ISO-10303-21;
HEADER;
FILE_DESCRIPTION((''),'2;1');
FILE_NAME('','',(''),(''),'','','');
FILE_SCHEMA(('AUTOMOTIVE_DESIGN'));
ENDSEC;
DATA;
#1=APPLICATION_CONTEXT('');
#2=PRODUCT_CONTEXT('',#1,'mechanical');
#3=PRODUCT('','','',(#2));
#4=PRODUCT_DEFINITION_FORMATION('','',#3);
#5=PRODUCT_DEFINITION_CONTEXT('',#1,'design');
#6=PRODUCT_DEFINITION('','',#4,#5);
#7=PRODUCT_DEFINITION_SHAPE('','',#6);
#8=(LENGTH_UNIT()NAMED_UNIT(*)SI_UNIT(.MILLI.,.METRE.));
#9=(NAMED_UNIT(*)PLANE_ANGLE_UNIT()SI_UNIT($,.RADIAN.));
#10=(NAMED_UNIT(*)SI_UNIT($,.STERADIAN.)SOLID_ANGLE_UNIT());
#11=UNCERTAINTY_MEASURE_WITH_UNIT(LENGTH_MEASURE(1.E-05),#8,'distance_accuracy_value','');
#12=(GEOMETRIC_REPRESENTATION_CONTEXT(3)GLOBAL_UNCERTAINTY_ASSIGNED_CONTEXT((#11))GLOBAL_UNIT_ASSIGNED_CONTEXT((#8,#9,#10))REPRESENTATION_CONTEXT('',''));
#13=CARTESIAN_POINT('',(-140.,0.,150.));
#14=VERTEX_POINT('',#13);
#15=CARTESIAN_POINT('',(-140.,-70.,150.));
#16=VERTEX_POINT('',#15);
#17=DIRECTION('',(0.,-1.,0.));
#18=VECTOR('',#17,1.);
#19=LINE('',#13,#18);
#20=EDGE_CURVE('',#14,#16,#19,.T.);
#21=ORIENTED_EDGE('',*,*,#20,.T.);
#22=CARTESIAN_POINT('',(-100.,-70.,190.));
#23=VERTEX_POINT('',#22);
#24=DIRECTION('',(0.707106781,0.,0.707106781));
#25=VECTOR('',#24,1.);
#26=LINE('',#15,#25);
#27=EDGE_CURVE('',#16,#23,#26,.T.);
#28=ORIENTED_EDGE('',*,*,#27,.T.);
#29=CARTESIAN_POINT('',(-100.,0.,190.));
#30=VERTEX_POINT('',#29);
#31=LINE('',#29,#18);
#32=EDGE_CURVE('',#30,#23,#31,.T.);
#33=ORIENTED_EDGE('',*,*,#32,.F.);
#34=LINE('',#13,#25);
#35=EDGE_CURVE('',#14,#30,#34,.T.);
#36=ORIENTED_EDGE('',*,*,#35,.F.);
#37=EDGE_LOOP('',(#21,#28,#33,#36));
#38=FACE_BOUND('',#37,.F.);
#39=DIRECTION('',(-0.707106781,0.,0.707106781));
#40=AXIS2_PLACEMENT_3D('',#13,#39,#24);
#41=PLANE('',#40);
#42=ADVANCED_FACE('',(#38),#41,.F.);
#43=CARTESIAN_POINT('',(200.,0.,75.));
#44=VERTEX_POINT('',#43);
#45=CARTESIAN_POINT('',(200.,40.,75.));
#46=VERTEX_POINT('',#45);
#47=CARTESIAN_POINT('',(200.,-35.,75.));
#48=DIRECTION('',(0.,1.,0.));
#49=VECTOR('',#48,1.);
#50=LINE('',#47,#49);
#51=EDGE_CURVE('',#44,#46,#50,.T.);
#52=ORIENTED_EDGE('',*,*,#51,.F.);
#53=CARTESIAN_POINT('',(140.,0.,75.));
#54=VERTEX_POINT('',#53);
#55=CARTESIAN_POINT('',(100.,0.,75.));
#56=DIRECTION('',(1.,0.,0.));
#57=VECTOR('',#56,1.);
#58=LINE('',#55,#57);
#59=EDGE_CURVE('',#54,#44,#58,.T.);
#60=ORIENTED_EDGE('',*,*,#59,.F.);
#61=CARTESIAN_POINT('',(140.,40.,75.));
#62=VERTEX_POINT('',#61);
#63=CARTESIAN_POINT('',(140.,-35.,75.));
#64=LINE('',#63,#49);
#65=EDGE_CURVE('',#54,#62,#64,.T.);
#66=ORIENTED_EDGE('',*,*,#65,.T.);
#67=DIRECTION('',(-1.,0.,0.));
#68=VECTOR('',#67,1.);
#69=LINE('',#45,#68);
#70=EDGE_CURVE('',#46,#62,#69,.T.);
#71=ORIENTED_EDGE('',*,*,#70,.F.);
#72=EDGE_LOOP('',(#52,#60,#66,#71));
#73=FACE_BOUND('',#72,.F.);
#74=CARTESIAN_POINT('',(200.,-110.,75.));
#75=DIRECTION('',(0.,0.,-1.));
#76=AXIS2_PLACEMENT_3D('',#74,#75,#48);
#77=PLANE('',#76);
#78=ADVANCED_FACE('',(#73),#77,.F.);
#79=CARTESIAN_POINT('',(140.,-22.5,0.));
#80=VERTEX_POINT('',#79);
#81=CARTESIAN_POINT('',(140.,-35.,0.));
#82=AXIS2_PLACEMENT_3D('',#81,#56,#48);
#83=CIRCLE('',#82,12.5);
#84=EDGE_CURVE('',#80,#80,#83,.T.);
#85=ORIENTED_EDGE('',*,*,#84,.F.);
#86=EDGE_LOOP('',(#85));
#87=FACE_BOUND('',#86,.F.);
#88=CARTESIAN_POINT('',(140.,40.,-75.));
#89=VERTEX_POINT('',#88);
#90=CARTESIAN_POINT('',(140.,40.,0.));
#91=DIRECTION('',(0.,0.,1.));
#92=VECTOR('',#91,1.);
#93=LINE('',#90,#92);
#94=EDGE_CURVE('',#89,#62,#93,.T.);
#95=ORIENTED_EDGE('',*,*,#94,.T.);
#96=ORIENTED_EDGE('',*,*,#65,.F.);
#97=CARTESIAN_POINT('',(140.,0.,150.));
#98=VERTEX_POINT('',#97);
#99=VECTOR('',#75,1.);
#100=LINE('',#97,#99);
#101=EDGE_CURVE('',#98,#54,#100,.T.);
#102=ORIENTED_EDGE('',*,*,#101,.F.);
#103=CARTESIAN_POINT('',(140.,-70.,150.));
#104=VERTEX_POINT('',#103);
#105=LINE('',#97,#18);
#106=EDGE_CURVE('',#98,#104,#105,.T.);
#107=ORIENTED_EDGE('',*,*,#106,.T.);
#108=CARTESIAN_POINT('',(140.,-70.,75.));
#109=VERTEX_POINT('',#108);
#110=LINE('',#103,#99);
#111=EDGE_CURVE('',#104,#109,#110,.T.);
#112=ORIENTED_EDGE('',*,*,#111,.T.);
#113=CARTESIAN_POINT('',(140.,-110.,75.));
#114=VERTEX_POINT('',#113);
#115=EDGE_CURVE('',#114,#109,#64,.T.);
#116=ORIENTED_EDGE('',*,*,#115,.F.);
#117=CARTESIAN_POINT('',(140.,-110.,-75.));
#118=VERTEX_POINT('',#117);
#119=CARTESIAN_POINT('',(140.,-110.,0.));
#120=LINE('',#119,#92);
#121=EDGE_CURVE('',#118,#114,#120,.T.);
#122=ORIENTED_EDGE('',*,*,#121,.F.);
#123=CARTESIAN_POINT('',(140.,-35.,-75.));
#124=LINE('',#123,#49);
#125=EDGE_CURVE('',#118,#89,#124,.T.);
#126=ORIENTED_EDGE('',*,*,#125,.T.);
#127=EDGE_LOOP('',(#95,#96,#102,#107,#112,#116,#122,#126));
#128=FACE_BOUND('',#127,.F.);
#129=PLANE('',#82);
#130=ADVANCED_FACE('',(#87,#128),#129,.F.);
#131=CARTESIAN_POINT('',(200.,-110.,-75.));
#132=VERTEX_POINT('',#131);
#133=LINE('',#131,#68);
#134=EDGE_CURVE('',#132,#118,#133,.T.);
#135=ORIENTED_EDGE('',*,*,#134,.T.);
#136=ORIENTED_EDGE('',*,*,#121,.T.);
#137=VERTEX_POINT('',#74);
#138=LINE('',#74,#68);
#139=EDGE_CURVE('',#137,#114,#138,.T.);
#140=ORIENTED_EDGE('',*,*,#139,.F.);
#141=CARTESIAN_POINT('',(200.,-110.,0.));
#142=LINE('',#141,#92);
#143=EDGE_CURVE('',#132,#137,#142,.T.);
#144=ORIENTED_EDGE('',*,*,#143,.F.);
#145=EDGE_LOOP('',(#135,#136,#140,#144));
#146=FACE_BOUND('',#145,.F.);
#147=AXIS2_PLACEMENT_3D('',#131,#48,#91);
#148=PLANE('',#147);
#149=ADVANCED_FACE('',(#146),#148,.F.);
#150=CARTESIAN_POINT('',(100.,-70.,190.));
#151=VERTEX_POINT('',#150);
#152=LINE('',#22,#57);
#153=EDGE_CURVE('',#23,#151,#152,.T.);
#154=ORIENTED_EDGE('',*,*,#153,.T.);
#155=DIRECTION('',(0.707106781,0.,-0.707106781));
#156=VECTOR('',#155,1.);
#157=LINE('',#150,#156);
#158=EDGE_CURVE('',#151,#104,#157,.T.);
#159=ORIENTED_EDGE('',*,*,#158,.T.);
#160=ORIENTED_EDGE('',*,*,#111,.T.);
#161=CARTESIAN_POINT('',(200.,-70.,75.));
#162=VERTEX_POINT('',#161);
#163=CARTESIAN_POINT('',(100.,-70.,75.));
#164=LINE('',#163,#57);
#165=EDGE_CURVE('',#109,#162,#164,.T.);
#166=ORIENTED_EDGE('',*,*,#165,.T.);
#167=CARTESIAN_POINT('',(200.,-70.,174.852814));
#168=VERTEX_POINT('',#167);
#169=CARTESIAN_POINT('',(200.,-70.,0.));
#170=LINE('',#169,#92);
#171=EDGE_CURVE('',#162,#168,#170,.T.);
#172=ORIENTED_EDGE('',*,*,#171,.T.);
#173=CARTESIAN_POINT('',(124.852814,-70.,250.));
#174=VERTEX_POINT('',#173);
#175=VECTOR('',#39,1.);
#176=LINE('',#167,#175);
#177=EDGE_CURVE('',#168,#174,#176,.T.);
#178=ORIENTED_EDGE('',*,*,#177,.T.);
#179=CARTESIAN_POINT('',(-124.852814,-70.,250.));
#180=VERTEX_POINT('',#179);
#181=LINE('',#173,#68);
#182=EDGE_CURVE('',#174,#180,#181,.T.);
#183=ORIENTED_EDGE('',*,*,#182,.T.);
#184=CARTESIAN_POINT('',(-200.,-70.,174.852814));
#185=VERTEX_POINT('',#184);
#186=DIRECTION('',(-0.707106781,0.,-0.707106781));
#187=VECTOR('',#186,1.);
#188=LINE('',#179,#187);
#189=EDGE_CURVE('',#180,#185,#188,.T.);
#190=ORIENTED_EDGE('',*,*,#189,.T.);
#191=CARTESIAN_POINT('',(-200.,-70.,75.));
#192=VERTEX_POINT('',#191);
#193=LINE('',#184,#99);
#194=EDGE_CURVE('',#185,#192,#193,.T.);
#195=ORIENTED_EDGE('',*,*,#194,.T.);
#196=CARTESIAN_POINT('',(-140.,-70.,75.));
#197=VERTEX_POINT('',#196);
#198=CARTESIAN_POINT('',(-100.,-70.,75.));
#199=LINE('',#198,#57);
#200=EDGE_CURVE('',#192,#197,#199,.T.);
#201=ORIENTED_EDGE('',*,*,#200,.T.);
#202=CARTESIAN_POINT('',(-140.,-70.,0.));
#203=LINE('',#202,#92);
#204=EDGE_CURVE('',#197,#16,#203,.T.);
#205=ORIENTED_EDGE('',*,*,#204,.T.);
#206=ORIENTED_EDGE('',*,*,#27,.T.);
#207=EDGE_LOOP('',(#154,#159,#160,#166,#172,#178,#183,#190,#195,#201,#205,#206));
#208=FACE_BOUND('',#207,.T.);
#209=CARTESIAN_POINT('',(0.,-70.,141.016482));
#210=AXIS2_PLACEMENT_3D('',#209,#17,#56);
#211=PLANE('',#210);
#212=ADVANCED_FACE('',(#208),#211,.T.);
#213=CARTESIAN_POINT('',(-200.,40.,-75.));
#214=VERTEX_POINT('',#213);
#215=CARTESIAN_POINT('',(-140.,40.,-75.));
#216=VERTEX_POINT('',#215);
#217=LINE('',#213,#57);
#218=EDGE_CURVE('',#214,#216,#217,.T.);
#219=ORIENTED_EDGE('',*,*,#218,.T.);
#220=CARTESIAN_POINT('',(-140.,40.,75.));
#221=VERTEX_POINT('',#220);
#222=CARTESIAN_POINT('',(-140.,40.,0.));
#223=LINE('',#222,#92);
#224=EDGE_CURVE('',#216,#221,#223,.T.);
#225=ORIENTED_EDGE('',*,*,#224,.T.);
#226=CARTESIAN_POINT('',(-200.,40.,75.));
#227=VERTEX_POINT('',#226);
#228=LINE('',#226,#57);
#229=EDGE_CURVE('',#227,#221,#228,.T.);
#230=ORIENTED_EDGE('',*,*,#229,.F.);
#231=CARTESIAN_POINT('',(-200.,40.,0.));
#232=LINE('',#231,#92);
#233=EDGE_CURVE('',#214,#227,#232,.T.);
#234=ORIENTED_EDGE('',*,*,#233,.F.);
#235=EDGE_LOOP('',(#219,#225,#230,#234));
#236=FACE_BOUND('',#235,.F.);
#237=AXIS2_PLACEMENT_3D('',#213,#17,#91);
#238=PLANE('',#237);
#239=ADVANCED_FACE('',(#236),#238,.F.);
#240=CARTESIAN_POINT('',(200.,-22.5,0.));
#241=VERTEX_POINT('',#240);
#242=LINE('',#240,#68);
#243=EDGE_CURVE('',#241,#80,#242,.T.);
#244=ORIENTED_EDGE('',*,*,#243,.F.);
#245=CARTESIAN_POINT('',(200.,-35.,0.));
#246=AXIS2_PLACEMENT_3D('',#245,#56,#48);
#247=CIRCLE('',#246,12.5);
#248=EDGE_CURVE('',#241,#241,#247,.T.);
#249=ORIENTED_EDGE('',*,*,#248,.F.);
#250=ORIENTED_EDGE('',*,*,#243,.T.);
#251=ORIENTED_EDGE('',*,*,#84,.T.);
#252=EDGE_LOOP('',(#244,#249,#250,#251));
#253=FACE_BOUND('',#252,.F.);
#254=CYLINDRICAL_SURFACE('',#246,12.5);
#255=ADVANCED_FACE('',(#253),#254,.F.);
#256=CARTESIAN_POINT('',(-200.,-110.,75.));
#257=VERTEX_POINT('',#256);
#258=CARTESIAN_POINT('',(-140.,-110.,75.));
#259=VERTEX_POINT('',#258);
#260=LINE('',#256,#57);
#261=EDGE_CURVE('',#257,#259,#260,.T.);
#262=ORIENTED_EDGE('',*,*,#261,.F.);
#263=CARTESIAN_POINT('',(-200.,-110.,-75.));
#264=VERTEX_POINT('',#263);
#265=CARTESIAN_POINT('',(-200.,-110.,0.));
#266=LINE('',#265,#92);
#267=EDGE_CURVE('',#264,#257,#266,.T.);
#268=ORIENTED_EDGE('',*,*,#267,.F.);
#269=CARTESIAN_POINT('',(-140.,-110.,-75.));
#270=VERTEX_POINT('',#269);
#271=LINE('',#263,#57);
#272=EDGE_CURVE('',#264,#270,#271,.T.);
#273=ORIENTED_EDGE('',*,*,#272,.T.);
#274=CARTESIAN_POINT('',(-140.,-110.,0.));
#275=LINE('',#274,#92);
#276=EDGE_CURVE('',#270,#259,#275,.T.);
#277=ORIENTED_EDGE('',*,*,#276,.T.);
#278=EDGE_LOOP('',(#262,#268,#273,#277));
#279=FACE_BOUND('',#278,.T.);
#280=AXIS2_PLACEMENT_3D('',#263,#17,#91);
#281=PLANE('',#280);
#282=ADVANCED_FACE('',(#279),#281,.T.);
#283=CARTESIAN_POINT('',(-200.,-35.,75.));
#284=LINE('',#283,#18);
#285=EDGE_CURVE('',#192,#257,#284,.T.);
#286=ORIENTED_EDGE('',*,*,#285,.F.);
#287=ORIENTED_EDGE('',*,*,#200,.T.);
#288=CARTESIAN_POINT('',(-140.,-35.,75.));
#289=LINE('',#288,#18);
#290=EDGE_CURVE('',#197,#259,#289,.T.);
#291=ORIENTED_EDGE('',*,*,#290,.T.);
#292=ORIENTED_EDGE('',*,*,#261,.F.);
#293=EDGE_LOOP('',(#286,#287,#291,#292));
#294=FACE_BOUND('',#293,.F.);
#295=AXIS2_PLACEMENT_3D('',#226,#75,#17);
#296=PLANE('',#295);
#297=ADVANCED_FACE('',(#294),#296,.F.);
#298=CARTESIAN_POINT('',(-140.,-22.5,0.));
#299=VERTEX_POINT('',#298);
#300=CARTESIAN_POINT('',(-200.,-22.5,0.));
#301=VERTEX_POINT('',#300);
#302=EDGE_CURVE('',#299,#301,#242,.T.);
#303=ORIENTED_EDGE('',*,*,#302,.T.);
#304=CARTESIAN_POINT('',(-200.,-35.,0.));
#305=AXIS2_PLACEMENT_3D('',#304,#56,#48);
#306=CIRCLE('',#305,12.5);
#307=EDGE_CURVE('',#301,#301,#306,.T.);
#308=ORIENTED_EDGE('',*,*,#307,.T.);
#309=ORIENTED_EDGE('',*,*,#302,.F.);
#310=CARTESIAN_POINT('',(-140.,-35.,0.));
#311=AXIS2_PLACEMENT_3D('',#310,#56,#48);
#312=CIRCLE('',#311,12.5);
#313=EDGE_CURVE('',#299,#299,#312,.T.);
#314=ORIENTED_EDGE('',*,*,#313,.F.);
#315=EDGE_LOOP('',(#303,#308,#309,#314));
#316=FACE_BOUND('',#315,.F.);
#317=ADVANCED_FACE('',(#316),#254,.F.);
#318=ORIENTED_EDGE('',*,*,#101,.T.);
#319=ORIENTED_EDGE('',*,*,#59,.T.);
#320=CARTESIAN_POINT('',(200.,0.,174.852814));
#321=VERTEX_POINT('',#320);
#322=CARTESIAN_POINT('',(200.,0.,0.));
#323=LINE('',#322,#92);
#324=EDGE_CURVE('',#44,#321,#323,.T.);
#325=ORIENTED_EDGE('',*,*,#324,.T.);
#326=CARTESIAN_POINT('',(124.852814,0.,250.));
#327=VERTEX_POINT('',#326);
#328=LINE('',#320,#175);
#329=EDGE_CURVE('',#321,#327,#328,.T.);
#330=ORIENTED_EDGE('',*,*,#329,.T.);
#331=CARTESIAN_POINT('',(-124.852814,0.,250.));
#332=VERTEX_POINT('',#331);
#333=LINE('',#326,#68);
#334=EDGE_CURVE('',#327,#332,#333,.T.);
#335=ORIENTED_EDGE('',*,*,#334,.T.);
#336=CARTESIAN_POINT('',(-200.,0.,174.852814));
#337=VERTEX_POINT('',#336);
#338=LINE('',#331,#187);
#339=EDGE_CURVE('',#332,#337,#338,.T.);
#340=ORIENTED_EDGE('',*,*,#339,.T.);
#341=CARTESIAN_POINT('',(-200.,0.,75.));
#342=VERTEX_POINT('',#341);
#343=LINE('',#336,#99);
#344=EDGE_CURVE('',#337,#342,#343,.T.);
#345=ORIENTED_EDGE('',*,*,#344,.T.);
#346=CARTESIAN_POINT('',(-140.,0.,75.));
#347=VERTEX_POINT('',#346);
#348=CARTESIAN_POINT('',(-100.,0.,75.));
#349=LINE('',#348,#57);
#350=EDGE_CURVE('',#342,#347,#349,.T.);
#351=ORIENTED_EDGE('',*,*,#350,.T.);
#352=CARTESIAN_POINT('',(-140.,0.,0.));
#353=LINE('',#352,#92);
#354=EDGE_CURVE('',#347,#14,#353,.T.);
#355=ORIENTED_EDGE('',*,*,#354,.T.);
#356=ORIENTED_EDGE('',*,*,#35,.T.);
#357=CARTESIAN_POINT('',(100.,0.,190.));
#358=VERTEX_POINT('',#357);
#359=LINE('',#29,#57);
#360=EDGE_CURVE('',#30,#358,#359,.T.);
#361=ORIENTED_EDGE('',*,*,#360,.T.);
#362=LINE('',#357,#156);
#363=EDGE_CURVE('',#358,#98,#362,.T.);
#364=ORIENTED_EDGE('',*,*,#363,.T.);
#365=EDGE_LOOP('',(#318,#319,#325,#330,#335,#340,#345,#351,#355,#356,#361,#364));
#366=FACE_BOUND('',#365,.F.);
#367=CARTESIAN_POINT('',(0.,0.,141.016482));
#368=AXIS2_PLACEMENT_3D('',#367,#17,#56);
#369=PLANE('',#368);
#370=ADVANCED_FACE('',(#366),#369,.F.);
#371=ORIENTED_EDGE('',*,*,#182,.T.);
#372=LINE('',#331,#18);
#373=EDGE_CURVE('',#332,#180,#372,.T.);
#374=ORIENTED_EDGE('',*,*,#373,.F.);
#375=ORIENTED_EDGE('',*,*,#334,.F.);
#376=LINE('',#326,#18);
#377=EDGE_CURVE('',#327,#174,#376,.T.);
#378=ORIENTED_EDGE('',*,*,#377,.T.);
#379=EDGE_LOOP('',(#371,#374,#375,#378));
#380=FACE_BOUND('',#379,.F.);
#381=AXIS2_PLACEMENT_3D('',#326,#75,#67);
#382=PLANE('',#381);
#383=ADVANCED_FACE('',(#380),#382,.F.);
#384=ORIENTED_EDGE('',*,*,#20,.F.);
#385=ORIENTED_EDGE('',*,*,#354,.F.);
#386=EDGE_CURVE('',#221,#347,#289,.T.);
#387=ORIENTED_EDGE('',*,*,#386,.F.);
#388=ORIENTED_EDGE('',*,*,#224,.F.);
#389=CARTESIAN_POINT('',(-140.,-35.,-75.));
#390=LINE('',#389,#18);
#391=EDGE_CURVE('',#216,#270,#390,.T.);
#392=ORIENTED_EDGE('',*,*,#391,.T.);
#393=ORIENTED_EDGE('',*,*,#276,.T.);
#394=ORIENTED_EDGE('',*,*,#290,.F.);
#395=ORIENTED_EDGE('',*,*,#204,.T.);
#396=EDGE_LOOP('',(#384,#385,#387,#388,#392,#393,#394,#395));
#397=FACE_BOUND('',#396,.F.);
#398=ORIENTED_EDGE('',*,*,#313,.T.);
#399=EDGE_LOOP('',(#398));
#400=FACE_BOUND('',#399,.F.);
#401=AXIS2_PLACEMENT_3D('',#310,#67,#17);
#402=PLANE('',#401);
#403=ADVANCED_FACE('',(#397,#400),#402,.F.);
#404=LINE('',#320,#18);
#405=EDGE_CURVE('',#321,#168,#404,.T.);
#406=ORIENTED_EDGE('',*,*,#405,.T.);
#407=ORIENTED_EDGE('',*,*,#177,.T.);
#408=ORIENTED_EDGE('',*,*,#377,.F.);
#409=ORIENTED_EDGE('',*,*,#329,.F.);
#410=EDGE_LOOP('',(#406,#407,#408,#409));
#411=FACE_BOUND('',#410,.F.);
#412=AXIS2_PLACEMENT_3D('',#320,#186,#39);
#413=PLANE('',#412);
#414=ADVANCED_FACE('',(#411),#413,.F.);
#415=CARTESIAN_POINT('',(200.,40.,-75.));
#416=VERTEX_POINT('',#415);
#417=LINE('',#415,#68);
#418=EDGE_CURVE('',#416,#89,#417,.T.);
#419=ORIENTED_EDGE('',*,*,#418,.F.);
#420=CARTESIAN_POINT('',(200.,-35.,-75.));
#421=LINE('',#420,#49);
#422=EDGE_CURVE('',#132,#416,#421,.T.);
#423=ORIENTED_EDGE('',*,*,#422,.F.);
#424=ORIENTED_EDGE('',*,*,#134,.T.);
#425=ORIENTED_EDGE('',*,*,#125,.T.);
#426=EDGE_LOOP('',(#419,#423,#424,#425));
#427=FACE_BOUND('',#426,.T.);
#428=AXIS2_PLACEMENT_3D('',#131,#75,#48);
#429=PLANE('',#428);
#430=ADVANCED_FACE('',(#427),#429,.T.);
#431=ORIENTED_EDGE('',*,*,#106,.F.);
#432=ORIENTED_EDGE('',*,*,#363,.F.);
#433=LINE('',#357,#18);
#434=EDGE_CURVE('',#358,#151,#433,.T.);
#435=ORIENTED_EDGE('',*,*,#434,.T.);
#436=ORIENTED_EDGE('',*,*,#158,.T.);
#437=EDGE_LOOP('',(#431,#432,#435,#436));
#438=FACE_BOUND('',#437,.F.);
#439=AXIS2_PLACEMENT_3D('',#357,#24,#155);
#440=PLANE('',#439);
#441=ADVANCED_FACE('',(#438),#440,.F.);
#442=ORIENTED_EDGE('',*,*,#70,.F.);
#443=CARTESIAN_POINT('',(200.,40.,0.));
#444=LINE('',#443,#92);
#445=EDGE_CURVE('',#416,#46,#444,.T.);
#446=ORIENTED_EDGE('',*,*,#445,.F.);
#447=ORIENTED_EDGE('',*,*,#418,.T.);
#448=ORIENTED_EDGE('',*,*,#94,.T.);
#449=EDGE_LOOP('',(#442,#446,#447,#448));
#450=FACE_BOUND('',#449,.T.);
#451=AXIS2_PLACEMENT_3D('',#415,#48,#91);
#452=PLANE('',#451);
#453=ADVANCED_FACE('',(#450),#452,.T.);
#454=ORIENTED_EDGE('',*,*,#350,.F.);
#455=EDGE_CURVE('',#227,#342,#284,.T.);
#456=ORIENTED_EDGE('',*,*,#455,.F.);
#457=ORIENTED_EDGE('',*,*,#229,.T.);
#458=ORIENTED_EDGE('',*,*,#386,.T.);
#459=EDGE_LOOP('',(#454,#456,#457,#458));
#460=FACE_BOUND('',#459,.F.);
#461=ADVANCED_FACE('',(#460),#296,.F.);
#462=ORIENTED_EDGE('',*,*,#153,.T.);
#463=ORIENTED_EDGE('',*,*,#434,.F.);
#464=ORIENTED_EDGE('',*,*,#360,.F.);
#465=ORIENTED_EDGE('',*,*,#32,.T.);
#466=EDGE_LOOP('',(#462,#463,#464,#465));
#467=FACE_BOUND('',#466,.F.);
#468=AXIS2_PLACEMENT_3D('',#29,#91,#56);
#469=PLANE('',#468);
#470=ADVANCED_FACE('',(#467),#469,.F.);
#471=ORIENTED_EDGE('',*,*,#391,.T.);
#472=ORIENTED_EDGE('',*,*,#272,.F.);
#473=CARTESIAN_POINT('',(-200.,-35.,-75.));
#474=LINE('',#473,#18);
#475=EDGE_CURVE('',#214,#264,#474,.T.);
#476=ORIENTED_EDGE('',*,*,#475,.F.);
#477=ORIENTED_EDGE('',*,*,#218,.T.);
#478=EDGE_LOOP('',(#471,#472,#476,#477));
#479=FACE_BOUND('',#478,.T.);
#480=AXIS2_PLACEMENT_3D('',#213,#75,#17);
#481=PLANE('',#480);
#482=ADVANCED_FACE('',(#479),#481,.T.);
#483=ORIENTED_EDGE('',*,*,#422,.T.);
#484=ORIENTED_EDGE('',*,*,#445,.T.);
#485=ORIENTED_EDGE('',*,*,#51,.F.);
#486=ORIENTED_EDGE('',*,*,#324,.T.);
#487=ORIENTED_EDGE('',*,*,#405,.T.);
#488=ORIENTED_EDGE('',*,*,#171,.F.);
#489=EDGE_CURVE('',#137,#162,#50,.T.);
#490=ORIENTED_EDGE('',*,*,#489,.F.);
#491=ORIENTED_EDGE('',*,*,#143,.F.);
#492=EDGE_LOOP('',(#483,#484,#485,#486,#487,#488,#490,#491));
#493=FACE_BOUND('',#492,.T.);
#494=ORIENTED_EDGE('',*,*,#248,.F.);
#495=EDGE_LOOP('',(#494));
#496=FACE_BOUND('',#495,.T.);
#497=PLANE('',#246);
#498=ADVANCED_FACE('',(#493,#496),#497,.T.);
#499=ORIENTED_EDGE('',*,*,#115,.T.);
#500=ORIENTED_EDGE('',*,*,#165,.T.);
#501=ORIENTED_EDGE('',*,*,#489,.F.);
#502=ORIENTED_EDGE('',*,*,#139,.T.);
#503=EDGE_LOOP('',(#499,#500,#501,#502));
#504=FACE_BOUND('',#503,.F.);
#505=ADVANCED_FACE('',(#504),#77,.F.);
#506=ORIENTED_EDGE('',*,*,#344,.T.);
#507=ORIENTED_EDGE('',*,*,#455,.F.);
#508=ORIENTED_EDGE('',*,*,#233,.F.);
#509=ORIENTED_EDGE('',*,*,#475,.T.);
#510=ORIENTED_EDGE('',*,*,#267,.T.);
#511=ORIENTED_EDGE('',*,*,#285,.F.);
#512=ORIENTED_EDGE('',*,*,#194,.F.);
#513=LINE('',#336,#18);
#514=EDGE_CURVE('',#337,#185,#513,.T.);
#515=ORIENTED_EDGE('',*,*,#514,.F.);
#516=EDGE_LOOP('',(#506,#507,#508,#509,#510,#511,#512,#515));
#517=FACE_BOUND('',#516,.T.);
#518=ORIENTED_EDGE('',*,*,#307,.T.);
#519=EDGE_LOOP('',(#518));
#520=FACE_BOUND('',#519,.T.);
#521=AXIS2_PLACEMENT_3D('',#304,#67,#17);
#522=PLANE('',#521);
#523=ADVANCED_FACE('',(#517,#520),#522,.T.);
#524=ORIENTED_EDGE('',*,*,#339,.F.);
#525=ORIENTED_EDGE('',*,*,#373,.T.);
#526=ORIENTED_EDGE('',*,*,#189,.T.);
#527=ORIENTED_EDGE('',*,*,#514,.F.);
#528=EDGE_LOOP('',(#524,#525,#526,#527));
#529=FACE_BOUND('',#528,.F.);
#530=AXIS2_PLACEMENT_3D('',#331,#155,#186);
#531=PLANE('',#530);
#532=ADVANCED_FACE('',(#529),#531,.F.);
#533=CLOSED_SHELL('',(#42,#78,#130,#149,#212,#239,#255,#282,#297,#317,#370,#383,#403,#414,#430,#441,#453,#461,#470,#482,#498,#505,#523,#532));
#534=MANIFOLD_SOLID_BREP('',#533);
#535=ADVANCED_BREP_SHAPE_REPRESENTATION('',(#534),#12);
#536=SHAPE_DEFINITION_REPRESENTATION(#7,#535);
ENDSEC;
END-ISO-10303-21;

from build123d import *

# Parameters (mm, degrees)
F1_DEPTH = 70
F2_W     = 150
F2_H     = 150
F3_DEPTH = 60
F4_W     = 150
F4_H     = 150
F5_DEPTH = 60
F6_R     = 12.5
F7_DEPTH = 400.001


with BuildPart() as f1:
    # F0 (on Front) → F1 (new body)
    with BuildSketch(Plane.XZ):
        Polygon((-200, 0), (-140, 0), (-140, 150), (-100, 190), (100, 190), (140, 150), (140, 0), (200, 0), (200, 174.852814), (124.852814, 250), (-124.852814, 250), (-200, 174.852814), align=None)
    extrude(amount=F1_DEPTH)

    # F2 (on face) → F3 (join, through all)
    with BuildSketch(Plane.YZ.offset(200)):
        with Locations((-35, 0)):
            Rectangle(F2_W, F2_H)
    extrude(amount=-F3_DEPTH)

    # F4 (on face) → F5 (join, through all)
    with BuildSketch(Plane(origin=(-200, 0, 0), x_dir=(0, -1, 0), z_dir=(-1, 0, 0))):
        with Locations((35, 0)):
            Rectangle(F4_W, F4_H)
    extrude(amount=-F5_DEPTH)

    # F6 (on face) → F7 (cut, through all)
    with BuildSketch(Plane.YZ.offset(200)):
        with Locations((-35, 0)):
            Circle(F6_R)
    extrude(amount=-F7_DEPTH, mode=Mode.SUBTRACT)


solid = f1.part
